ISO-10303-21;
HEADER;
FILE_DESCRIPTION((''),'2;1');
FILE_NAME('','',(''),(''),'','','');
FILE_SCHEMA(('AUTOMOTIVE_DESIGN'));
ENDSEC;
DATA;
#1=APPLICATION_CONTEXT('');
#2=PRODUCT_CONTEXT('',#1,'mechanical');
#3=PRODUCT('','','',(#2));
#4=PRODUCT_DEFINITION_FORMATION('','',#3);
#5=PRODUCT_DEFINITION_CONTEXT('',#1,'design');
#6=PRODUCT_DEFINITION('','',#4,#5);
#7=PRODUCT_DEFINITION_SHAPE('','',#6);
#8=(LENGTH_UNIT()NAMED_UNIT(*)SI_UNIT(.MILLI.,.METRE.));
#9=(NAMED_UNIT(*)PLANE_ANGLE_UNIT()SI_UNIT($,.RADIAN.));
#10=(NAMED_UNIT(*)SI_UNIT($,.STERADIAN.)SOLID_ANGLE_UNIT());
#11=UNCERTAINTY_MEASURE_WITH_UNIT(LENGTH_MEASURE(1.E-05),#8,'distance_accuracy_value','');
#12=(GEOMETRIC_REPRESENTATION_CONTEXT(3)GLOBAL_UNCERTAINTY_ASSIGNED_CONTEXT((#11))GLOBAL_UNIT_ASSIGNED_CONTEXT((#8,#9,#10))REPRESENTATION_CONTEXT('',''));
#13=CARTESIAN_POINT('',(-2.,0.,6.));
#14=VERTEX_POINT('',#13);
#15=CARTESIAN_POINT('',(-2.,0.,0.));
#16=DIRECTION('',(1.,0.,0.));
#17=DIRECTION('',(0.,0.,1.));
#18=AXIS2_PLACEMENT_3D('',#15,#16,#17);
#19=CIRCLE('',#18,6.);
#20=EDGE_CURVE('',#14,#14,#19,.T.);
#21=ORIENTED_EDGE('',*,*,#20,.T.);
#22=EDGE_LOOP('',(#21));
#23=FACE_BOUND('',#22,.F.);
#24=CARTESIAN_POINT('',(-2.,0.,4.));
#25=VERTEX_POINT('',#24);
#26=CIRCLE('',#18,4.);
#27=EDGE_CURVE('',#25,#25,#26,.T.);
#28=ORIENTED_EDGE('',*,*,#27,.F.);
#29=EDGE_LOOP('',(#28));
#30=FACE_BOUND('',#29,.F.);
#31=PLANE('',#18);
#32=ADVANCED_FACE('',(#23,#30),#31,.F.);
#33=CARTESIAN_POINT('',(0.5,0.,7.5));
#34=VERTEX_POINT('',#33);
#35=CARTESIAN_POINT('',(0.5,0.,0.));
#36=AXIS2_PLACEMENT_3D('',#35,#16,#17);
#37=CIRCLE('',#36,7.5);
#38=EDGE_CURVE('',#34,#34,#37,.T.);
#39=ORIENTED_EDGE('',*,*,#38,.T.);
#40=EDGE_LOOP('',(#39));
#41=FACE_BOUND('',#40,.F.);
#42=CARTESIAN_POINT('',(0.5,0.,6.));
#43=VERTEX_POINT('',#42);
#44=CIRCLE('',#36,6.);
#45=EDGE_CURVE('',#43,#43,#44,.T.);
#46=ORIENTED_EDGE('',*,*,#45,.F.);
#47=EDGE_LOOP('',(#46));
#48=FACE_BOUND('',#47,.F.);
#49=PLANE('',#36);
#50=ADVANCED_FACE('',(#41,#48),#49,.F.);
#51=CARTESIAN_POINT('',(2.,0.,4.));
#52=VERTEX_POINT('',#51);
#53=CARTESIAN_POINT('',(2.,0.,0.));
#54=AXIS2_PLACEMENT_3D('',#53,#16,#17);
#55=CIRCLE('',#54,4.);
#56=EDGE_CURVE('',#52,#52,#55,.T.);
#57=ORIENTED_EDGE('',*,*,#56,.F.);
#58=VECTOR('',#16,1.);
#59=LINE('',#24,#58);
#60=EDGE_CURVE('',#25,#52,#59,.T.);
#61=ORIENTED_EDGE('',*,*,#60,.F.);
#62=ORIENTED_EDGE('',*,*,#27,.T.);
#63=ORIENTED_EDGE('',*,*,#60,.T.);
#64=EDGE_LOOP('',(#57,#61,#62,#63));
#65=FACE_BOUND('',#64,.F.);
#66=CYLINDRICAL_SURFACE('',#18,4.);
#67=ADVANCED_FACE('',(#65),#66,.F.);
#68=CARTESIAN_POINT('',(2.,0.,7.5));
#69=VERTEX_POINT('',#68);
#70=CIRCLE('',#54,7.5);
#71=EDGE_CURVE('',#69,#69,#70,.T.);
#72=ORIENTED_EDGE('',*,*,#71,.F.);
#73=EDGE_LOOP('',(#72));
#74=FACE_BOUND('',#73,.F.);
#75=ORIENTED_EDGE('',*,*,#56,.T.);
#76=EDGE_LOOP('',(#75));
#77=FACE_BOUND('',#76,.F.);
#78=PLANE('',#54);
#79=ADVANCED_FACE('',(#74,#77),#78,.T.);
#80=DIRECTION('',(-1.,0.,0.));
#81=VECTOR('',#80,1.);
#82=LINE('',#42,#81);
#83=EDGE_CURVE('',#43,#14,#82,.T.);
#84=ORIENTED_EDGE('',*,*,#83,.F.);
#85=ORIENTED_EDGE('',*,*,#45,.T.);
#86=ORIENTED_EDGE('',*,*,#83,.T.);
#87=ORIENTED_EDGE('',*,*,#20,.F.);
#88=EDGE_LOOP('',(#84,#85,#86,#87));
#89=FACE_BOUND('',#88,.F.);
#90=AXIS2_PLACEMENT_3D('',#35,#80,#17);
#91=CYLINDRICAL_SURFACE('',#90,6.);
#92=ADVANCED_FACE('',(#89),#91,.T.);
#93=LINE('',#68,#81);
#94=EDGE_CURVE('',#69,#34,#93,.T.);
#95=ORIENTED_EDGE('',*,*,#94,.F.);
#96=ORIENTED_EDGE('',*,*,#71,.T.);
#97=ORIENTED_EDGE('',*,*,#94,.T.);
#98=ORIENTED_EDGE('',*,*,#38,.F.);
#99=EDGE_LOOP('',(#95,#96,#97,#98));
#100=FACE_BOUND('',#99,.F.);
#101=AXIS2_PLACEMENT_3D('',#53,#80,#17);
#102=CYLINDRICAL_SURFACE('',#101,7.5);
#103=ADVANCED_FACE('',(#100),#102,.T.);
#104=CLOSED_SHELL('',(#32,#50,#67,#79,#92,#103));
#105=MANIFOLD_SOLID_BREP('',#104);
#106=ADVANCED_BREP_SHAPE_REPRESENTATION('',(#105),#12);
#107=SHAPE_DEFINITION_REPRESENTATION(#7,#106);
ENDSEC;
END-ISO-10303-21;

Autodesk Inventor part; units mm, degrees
ref_plane "YZ Plane" through (0, 0, 0) normal (1, 0, 0) x (0, 1, 0)
ref_plane "XZ Plane" through (0, 0, 0) normal (0, 1, 0) x (-1, 0, 0)
ref_plane "XY Plane" through (0, 0, 0) normal (0, 0, 1) x (1, 0, 0)
sketch "Sketch1" plane through (0, 0, 0) normal (0, 1, 0) x (-1, 0, 0)
  line L0 (2, 4) -> (-2, 4)
  line L1 (-2, 4) -> (-2, 7.5)
  line L2 (-2, 7.5) -> (-0.5, 7.5)
  line L3 (-0.5, 7.5) -> (-0.5, 6)
  line L4 (-0.5, 6) -> (2, 6)
  line L5 (2, 6) -> (2, 4)
  line L6 (2, 0) -> (-2, 0)
  point P0 (0, 0)
  point P1 (0, 0)
  dimension "d0" = 15
  dimension "d1" = 1.5
  dimension "d2" = 12
  dimension "d3" = 2.5
  dimension "d4" = 8
revolve "Revolution1" add sketch "Sketch1" angle 360 about axis through (-2, 0, 0) along (1, 0, 0)
thread "Thread1" size "M12x0.5" class "6g" standard "ANSI Metric M Profile" full length
properties part number "PayloadGermination_SyringeCap" material "Aluminum 6061"
